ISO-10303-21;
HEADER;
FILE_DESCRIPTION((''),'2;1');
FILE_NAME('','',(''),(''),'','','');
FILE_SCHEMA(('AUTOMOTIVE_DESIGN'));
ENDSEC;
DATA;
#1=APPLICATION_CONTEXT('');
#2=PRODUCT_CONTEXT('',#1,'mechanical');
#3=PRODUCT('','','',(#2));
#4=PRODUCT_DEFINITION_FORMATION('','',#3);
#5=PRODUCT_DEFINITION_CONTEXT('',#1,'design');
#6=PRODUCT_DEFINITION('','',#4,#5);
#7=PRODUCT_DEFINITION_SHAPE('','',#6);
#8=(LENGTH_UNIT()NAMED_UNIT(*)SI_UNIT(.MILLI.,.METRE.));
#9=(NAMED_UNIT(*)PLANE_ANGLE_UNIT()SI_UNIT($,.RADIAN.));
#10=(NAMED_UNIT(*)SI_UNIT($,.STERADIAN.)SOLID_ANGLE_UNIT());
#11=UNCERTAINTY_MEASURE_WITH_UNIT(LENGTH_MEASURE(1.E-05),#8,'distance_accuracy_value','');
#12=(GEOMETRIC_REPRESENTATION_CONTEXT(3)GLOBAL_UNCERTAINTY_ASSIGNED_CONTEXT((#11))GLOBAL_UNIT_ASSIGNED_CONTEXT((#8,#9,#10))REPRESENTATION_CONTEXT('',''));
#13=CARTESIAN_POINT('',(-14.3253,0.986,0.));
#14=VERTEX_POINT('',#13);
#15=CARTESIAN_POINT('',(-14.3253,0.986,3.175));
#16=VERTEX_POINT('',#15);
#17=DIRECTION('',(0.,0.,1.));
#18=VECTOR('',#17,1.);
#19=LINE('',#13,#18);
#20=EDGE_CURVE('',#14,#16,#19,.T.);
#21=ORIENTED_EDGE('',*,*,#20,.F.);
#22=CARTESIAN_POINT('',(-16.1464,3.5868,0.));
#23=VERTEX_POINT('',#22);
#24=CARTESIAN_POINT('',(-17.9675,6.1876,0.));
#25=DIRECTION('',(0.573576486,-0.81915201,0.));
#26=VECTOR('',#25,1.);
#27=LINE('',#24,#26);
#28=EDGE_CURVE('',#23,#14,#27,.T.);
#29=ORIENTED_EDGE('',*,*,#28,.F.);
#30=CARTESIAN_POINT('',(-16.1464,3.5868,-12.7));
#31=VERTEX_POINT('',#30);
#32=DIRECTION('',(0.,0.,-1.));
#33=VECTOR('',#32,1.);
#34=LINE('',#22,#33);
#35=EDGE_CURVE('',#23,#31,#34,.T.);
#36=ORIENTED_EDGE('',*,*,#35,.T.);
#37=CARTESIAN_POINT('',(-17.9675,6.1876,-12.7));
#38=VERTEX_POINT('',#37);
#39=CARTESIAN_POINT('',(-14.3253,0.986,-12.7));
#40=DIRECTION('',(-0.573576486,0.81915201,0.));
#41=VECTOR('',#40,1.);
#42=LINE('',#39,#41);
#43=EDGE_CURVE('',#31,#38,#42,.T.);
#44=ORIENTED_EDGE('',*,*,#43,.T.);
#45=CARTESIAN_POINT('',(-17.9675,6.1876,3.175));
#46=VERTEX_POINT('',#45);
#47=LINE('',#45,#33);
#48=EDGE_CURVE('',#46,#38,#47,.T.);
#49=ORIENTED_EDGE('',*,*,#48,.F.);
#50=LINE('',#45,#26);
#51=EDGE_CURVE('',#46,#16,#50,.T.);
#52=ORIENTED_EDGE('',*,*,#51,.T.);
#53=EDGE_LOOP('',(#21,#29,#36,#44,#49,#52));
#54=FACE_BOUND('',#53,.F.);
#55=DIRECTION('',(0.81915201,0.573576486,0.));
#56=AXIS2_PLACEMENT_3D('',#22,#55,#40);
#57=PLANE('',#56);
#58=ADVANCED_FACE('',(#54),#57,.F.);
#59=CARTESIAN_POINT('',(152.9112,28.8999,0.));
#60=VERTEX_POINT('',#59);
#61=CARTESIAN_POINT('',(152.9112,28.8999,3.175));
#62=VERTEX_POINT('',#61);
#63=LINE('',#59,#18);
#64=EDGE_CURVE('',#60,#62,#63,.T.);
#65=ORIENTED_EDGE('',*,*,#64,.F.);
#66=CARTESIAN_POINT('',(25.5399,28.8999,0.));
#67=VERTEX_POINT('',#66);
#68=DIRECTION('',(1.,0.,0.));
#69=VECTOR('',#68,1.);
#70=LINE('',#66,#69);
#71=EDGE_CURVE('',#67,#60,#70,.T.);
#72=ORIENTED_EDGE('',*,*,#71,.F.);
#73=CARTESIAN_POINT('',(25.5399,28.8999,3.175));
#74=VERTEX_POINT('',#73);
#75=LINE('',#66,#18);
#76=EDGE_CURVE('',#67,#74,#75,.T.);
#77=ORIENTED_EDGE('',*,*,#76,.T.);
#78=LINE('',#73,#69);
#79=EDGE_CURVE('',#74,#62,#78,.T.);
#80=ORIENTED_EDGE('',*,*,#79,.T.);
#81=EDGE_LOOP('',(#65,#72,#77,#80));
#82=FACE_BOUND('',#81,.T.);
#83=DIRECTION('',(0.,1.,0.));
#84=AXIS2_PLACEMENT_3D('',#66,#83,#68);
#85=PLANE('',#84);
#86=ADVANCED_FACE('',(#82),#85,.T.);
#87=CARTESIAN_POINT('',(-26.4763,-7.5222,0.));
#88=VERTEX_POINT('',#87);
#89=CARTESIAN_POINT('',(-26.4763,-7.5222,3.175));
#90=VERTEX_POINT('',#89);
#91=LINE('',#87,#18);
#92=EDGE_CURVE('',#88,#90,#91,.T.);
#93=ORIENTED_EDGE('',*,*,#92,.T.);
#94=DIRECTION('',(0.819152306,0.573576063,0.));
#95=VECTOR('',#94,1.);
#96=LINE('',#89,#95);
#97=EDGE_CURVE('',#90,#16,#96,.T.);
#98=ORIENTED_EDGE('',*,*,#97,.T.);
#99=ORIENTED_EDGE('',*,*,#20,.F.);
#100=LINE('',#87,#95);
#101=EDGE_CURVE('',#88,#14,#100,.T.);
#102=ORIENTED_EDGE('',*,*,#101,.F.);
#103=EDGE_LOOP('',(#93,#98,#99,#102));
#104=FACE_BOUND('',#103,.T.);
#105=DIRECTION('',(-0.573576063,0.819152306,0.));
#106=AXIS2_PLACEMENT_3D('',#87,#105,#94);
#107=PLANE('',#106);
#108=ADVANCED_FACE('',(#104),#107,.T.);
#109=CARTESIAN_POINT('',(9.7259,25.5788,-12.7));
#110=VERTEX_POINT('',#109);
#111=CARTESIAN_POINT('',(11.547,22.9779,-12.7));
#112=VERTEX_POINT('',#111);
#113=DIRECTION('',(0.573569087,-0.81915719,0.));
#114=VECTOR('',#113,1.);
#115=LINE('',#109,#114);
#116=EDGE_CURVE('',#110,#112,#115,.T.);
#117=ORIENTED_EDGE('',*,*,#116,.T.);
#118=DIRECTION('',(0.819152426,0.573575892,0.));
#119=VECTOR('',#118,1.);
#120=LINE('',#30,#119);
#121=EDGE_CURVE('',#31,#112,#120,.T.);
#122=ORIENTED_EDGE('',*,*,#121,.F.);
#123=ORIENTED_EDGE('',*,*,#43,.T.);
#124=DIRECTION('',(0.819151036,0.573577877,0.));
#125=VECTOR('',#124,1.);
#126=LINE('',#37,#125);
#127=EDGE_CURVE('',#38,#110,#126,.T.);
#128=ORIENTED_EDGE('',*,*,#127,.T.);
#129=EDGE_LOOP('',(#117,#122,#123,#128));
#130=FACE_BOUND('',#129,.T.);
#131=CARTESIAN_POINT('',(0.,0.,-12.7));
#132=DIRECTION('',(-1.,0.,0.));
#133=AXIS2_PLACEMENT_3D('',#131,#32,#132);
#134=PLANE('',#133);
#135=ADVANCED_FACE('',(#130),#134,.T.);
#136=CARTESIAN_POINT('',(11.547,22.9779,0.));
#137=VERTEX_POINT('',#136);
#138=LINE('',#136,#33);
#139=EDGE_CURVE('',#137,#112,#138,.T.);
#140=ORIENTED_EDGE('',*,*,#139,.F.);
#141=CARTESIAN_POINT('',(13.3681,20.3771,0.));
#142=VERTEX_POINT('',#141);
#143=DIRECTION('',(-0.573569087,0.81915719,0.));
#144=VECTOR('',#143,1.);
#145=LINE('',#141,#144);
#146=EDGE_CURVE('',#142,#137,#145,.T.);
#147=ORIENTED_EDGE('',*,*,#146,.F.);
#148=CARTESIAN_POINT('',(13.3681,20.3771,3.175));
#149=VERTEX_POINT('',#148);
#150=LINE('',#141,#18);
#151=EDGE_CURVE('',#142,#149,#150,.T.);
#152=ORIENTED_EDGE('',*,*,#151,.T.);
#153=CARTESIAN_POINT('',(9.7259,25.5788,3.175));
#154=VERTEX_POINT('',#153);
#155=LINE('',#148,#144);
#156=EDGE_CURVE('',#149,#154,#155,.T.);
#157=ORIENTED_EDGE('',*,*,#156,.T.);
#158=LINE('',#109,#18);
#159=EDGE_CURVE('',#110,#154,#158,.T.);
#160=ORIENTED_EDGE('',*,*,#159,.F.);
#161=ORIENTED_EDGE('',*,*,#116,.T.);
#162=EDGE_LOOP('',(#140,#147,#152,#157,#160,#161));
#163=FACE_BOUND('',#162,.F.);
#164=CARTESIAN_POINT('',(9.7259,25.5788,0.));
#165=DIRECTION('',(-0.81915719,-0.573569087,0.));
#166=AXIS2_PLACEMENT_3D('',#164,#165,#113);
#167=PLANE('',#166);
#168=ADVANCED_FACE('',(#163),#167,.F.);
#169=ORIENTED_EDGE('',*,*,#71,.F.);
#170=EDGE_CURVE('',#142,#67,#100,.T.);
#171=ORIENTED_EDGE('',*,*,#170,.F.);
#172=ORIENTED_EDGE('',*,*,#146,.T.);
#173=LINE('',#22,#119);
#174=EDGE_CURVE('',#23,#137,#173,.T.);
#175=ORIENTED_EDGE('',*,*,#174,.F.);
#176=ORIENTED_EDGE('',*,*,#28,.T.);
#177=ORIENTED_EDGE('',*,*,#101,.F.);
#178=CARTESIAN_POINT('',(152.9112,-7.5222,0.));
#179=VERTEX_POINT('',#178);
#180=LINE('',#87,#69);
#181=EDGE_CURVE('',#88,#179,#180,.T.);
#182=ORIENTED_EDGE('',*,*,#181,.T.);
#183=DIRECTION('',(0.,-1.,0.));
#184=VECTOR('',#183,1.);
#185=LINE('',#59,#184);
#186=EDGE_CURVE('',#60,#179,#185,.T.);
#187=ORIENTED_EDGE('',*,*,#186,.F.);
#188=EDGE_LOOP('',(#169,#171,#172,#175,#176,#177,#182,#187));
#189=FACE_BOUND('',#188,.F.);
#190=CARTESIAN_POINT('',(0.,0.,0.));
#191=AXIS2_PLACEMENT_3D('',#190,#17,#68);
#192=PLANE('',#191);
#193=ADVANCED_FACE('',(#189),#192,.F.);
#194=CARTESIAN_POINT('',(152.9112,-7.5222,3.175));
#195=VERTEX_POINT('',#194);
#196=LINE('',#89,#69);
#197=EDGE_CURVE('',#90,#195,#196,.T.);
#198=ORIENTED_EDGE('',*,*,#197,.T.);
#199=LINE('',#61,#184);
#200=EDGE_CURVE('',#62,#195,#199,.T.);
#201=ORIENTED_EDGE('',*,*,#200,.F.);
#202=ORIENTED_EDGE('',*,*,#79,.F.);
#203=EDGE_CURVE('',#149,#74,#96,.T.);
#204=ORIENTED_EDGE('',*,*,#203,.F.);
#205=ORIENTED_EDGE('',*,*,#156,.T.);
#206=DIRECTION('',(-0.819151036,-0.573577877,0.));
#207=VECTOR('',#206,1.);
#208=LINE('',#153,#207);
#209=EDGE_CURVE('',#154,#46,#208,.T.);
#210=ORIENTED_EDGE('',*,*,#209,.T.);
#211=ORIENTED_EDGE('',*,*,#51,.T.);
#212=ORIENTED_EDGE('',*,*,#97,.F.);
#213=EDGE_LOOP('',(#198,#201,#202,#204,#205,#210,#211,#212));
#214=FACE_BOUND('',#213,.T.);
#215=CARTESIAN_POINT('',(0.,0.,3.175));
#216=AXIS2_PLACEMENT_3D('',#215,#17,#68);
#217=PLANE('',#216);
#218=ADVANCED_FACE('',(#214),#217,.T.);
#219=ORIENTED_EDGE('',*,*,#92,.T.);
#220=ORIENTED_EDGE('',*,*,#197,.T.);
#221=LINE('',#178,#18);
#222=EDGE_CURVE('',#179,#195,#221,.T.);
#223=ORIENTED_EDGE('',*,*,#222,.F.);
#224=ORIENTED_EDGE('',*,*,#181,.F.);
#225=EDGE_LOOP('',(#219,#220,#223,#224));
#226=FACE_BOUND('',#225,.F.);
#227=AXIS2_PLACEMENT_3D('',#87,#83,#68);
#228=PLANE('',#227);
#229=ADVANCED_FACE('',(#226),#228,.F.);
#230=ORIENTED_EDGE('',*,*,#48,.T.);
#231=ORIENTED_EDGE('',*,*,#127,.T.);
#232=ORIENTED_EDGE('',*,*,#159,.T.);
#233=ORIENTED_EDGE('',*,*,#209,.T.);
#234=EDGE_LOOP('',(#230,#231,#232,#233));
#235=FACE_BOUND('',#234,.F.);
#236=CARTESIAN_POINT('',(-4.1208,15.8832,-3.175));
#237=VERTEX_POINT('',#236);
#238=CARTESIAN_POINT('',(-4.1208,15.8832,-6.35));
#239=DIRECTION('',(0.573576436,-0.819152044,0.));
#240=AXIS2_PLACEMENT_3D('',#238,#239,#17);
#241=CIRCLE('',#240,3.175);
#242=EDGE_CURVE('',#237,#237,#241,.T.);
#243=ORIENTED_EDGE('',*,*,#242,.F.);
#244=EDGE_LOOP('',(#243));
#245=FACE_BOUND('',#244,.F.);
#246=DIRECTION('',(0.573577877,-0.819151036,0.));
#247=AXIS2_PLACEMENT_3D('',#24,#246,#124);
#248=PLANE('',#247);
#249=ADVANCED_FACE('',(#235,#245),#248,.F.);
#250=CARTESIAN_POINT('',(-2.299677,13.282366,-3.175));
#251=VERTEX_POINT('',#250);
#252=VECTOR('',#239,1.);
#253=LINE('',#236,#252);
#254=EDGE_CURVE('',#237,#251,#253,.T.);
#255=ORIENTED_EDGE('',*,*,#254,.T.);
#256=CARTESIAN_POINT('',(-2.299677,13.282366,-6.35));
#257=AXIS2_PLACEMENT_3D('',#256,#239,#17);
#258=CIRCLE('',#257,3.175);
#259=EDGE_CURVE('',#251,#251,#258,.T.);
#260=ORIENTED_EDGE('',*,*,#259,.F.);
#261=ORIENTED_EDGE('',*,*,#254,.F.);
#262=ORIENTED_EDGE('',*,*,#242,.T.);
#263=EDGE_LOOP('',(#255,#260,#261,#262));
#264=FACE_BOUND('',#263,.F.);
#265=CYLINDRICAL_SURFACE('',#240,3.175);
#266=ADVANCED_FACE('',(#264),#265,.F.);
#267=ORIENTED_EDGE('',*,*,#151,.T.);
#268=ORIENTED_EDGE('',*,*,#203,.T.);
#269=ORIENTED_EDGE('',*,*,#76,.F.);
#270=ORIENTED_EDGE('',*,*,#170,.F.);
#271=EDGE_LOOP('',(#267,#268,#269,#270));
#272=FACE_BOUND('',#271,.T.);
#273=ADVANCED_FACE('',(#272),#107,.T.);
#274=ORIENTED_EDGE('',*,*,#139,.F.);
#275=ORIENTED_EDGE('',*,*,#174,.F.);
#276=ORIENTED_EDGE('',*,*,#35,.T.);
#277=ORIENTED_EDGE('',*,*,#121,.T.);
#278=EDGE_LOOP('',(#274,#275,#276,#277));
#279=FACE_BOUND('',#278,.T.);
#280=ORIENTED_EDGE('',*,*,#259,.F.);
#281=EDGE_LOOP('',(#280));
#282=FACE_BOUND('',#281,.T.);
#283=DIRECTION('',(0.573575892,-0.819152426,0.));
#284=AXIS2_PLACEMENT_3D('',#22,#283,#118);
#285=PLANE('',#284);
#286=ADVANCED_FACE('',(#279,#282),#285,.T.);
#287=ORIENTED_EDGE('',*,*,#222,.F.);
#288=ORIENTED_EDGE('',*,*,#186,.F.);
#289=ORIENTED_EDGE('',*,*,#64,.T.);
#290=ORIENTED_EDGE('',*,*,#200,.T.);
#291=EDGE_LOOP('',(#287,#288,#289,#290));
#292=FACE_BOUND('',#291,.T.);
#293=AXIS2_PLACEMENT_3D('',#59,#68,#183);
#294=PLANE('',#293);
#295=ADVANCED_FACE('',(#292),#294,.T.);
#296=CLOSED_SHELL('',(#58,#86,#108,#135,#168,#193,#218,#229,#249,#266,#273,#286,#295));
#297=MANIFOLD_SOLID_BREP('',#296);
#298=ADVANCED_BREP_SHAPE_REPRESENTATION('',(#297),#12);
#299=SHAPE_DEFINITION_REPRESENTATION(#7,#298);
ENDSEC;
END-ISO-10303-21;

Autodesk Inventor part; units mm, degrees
ref_plane "YZ Plane" through (0, 0, 0) normal (1, 0, 0) x (0, 1, 0)
ref_plane "XZ Plane" through (0, 0, 0) normal (0, 1, 0) x (-1, 0, 0)
ref_plane "XY Plane" through (0, 0, 0) normal (0, 0, 1) x (1, 0, 0)
sketch "Sketch1" plane through (0, 0, 0) normal (0, 0, 1) x (1, 0, 0)
  line L0 (-26.4763, -7.5222) -> (152.9112, -7.5222)
  line L1 (-26.4763, -7.5222) -> (25.5399, 28.8999)
  line L2 (-26.4763, -7.5222) -> (37.0237, -7.5222) construction
  line L3 (25.5399, 28.8999) -> (152.9112, 28.8999)
  line L4 (152.9112, 28.8999) -> (152.9112, -7.5222)
  point P0 (0, 0)
  dimension "d0" = 179.3875
  dimension "d2" = 63.5
  dimension "d3" = 35
extrude "Extrusion1" add sketch "Sketch1" along normal blind 3.175
sketch "Sketch2" plane through (0, 0, 0) normal (0, 0, -1) x (-1, 0, 0)
  line L0 (-25.5399, 28.8999) -> (26.4763, -7.5222) projected
  line L1 (0.4682, 10.6889) -> (-13.3681, 20.3771)
  line L2 (-13.3681, 20.3771) -> (-9.7259, 25.5788)
  line L3 (-9.7259, 25.5788) -> (17.9675, 6.1876)
  line L4 (17.9675, 6.1876) -> (14.3253, 0.986)
  line L5 (14.3253, 0.986) -> (0.4682, 10.6889)
  point P0 (0, 0)
  dimension "d6" = 16.891
  dimension "d7" = 6.35
  dimension "d8" = 33.8074
extrude "Extrusion2" add sketch "Sketch2" against normal blind 3.175
sketch "Sketch3" plane through (0, 0, 0) normal (0, 0, -1) x (-1, 0, 0)
  line L0 (14.3253, 0.986) -> (17.9675, 6.1876) projected
  line L1 (17.9675, 6.1876) -> (-9.7259, 25.5788) projected
  line L2 (-9.7259, 25.5788) -> (-13.3681, 20.3771) projected
  line L3 (-25.5399, 28.8999) -> (-13.3681, 20.3771) projected
  line L4 (-9.7259, 25.5788) -> (17.9675, 6.1876)
  line L5 (17.9675, 6.1876) -> (16.1464, 3.5868)
  line L6 (16.1464, 3.5868) -> (-11.547, 22.9779)
  line L7 (-11.547, 22.9779) -> (-9.7259, 25.5788)
  point P0 (0, 0)
  dimension "d11" = 3.175
extrude "Extrusion3" add sketch "Sketch3" along normal blind 12.7
sketch "Sketch4" plane through (-17.9675, 6.1876, 3.175) normal (-0.5736, 0.8192, 0) x (0.8192, 0.5736, 0)
  line L0 (0, 15.875) -> (33.8074, 15.875) projected
  line L1 (16.9037, 15.875) -> (16.9037, 9.525)
  point P0 (11.1691, 3.175)
  dimension "d14" = 6.35
hole "Hole1" at (-4.1208, 15.8832, -6.35) direction (0.5736, -0.8192, 0) diameter 6.35 end through all
properties part number "Right Forearm"
